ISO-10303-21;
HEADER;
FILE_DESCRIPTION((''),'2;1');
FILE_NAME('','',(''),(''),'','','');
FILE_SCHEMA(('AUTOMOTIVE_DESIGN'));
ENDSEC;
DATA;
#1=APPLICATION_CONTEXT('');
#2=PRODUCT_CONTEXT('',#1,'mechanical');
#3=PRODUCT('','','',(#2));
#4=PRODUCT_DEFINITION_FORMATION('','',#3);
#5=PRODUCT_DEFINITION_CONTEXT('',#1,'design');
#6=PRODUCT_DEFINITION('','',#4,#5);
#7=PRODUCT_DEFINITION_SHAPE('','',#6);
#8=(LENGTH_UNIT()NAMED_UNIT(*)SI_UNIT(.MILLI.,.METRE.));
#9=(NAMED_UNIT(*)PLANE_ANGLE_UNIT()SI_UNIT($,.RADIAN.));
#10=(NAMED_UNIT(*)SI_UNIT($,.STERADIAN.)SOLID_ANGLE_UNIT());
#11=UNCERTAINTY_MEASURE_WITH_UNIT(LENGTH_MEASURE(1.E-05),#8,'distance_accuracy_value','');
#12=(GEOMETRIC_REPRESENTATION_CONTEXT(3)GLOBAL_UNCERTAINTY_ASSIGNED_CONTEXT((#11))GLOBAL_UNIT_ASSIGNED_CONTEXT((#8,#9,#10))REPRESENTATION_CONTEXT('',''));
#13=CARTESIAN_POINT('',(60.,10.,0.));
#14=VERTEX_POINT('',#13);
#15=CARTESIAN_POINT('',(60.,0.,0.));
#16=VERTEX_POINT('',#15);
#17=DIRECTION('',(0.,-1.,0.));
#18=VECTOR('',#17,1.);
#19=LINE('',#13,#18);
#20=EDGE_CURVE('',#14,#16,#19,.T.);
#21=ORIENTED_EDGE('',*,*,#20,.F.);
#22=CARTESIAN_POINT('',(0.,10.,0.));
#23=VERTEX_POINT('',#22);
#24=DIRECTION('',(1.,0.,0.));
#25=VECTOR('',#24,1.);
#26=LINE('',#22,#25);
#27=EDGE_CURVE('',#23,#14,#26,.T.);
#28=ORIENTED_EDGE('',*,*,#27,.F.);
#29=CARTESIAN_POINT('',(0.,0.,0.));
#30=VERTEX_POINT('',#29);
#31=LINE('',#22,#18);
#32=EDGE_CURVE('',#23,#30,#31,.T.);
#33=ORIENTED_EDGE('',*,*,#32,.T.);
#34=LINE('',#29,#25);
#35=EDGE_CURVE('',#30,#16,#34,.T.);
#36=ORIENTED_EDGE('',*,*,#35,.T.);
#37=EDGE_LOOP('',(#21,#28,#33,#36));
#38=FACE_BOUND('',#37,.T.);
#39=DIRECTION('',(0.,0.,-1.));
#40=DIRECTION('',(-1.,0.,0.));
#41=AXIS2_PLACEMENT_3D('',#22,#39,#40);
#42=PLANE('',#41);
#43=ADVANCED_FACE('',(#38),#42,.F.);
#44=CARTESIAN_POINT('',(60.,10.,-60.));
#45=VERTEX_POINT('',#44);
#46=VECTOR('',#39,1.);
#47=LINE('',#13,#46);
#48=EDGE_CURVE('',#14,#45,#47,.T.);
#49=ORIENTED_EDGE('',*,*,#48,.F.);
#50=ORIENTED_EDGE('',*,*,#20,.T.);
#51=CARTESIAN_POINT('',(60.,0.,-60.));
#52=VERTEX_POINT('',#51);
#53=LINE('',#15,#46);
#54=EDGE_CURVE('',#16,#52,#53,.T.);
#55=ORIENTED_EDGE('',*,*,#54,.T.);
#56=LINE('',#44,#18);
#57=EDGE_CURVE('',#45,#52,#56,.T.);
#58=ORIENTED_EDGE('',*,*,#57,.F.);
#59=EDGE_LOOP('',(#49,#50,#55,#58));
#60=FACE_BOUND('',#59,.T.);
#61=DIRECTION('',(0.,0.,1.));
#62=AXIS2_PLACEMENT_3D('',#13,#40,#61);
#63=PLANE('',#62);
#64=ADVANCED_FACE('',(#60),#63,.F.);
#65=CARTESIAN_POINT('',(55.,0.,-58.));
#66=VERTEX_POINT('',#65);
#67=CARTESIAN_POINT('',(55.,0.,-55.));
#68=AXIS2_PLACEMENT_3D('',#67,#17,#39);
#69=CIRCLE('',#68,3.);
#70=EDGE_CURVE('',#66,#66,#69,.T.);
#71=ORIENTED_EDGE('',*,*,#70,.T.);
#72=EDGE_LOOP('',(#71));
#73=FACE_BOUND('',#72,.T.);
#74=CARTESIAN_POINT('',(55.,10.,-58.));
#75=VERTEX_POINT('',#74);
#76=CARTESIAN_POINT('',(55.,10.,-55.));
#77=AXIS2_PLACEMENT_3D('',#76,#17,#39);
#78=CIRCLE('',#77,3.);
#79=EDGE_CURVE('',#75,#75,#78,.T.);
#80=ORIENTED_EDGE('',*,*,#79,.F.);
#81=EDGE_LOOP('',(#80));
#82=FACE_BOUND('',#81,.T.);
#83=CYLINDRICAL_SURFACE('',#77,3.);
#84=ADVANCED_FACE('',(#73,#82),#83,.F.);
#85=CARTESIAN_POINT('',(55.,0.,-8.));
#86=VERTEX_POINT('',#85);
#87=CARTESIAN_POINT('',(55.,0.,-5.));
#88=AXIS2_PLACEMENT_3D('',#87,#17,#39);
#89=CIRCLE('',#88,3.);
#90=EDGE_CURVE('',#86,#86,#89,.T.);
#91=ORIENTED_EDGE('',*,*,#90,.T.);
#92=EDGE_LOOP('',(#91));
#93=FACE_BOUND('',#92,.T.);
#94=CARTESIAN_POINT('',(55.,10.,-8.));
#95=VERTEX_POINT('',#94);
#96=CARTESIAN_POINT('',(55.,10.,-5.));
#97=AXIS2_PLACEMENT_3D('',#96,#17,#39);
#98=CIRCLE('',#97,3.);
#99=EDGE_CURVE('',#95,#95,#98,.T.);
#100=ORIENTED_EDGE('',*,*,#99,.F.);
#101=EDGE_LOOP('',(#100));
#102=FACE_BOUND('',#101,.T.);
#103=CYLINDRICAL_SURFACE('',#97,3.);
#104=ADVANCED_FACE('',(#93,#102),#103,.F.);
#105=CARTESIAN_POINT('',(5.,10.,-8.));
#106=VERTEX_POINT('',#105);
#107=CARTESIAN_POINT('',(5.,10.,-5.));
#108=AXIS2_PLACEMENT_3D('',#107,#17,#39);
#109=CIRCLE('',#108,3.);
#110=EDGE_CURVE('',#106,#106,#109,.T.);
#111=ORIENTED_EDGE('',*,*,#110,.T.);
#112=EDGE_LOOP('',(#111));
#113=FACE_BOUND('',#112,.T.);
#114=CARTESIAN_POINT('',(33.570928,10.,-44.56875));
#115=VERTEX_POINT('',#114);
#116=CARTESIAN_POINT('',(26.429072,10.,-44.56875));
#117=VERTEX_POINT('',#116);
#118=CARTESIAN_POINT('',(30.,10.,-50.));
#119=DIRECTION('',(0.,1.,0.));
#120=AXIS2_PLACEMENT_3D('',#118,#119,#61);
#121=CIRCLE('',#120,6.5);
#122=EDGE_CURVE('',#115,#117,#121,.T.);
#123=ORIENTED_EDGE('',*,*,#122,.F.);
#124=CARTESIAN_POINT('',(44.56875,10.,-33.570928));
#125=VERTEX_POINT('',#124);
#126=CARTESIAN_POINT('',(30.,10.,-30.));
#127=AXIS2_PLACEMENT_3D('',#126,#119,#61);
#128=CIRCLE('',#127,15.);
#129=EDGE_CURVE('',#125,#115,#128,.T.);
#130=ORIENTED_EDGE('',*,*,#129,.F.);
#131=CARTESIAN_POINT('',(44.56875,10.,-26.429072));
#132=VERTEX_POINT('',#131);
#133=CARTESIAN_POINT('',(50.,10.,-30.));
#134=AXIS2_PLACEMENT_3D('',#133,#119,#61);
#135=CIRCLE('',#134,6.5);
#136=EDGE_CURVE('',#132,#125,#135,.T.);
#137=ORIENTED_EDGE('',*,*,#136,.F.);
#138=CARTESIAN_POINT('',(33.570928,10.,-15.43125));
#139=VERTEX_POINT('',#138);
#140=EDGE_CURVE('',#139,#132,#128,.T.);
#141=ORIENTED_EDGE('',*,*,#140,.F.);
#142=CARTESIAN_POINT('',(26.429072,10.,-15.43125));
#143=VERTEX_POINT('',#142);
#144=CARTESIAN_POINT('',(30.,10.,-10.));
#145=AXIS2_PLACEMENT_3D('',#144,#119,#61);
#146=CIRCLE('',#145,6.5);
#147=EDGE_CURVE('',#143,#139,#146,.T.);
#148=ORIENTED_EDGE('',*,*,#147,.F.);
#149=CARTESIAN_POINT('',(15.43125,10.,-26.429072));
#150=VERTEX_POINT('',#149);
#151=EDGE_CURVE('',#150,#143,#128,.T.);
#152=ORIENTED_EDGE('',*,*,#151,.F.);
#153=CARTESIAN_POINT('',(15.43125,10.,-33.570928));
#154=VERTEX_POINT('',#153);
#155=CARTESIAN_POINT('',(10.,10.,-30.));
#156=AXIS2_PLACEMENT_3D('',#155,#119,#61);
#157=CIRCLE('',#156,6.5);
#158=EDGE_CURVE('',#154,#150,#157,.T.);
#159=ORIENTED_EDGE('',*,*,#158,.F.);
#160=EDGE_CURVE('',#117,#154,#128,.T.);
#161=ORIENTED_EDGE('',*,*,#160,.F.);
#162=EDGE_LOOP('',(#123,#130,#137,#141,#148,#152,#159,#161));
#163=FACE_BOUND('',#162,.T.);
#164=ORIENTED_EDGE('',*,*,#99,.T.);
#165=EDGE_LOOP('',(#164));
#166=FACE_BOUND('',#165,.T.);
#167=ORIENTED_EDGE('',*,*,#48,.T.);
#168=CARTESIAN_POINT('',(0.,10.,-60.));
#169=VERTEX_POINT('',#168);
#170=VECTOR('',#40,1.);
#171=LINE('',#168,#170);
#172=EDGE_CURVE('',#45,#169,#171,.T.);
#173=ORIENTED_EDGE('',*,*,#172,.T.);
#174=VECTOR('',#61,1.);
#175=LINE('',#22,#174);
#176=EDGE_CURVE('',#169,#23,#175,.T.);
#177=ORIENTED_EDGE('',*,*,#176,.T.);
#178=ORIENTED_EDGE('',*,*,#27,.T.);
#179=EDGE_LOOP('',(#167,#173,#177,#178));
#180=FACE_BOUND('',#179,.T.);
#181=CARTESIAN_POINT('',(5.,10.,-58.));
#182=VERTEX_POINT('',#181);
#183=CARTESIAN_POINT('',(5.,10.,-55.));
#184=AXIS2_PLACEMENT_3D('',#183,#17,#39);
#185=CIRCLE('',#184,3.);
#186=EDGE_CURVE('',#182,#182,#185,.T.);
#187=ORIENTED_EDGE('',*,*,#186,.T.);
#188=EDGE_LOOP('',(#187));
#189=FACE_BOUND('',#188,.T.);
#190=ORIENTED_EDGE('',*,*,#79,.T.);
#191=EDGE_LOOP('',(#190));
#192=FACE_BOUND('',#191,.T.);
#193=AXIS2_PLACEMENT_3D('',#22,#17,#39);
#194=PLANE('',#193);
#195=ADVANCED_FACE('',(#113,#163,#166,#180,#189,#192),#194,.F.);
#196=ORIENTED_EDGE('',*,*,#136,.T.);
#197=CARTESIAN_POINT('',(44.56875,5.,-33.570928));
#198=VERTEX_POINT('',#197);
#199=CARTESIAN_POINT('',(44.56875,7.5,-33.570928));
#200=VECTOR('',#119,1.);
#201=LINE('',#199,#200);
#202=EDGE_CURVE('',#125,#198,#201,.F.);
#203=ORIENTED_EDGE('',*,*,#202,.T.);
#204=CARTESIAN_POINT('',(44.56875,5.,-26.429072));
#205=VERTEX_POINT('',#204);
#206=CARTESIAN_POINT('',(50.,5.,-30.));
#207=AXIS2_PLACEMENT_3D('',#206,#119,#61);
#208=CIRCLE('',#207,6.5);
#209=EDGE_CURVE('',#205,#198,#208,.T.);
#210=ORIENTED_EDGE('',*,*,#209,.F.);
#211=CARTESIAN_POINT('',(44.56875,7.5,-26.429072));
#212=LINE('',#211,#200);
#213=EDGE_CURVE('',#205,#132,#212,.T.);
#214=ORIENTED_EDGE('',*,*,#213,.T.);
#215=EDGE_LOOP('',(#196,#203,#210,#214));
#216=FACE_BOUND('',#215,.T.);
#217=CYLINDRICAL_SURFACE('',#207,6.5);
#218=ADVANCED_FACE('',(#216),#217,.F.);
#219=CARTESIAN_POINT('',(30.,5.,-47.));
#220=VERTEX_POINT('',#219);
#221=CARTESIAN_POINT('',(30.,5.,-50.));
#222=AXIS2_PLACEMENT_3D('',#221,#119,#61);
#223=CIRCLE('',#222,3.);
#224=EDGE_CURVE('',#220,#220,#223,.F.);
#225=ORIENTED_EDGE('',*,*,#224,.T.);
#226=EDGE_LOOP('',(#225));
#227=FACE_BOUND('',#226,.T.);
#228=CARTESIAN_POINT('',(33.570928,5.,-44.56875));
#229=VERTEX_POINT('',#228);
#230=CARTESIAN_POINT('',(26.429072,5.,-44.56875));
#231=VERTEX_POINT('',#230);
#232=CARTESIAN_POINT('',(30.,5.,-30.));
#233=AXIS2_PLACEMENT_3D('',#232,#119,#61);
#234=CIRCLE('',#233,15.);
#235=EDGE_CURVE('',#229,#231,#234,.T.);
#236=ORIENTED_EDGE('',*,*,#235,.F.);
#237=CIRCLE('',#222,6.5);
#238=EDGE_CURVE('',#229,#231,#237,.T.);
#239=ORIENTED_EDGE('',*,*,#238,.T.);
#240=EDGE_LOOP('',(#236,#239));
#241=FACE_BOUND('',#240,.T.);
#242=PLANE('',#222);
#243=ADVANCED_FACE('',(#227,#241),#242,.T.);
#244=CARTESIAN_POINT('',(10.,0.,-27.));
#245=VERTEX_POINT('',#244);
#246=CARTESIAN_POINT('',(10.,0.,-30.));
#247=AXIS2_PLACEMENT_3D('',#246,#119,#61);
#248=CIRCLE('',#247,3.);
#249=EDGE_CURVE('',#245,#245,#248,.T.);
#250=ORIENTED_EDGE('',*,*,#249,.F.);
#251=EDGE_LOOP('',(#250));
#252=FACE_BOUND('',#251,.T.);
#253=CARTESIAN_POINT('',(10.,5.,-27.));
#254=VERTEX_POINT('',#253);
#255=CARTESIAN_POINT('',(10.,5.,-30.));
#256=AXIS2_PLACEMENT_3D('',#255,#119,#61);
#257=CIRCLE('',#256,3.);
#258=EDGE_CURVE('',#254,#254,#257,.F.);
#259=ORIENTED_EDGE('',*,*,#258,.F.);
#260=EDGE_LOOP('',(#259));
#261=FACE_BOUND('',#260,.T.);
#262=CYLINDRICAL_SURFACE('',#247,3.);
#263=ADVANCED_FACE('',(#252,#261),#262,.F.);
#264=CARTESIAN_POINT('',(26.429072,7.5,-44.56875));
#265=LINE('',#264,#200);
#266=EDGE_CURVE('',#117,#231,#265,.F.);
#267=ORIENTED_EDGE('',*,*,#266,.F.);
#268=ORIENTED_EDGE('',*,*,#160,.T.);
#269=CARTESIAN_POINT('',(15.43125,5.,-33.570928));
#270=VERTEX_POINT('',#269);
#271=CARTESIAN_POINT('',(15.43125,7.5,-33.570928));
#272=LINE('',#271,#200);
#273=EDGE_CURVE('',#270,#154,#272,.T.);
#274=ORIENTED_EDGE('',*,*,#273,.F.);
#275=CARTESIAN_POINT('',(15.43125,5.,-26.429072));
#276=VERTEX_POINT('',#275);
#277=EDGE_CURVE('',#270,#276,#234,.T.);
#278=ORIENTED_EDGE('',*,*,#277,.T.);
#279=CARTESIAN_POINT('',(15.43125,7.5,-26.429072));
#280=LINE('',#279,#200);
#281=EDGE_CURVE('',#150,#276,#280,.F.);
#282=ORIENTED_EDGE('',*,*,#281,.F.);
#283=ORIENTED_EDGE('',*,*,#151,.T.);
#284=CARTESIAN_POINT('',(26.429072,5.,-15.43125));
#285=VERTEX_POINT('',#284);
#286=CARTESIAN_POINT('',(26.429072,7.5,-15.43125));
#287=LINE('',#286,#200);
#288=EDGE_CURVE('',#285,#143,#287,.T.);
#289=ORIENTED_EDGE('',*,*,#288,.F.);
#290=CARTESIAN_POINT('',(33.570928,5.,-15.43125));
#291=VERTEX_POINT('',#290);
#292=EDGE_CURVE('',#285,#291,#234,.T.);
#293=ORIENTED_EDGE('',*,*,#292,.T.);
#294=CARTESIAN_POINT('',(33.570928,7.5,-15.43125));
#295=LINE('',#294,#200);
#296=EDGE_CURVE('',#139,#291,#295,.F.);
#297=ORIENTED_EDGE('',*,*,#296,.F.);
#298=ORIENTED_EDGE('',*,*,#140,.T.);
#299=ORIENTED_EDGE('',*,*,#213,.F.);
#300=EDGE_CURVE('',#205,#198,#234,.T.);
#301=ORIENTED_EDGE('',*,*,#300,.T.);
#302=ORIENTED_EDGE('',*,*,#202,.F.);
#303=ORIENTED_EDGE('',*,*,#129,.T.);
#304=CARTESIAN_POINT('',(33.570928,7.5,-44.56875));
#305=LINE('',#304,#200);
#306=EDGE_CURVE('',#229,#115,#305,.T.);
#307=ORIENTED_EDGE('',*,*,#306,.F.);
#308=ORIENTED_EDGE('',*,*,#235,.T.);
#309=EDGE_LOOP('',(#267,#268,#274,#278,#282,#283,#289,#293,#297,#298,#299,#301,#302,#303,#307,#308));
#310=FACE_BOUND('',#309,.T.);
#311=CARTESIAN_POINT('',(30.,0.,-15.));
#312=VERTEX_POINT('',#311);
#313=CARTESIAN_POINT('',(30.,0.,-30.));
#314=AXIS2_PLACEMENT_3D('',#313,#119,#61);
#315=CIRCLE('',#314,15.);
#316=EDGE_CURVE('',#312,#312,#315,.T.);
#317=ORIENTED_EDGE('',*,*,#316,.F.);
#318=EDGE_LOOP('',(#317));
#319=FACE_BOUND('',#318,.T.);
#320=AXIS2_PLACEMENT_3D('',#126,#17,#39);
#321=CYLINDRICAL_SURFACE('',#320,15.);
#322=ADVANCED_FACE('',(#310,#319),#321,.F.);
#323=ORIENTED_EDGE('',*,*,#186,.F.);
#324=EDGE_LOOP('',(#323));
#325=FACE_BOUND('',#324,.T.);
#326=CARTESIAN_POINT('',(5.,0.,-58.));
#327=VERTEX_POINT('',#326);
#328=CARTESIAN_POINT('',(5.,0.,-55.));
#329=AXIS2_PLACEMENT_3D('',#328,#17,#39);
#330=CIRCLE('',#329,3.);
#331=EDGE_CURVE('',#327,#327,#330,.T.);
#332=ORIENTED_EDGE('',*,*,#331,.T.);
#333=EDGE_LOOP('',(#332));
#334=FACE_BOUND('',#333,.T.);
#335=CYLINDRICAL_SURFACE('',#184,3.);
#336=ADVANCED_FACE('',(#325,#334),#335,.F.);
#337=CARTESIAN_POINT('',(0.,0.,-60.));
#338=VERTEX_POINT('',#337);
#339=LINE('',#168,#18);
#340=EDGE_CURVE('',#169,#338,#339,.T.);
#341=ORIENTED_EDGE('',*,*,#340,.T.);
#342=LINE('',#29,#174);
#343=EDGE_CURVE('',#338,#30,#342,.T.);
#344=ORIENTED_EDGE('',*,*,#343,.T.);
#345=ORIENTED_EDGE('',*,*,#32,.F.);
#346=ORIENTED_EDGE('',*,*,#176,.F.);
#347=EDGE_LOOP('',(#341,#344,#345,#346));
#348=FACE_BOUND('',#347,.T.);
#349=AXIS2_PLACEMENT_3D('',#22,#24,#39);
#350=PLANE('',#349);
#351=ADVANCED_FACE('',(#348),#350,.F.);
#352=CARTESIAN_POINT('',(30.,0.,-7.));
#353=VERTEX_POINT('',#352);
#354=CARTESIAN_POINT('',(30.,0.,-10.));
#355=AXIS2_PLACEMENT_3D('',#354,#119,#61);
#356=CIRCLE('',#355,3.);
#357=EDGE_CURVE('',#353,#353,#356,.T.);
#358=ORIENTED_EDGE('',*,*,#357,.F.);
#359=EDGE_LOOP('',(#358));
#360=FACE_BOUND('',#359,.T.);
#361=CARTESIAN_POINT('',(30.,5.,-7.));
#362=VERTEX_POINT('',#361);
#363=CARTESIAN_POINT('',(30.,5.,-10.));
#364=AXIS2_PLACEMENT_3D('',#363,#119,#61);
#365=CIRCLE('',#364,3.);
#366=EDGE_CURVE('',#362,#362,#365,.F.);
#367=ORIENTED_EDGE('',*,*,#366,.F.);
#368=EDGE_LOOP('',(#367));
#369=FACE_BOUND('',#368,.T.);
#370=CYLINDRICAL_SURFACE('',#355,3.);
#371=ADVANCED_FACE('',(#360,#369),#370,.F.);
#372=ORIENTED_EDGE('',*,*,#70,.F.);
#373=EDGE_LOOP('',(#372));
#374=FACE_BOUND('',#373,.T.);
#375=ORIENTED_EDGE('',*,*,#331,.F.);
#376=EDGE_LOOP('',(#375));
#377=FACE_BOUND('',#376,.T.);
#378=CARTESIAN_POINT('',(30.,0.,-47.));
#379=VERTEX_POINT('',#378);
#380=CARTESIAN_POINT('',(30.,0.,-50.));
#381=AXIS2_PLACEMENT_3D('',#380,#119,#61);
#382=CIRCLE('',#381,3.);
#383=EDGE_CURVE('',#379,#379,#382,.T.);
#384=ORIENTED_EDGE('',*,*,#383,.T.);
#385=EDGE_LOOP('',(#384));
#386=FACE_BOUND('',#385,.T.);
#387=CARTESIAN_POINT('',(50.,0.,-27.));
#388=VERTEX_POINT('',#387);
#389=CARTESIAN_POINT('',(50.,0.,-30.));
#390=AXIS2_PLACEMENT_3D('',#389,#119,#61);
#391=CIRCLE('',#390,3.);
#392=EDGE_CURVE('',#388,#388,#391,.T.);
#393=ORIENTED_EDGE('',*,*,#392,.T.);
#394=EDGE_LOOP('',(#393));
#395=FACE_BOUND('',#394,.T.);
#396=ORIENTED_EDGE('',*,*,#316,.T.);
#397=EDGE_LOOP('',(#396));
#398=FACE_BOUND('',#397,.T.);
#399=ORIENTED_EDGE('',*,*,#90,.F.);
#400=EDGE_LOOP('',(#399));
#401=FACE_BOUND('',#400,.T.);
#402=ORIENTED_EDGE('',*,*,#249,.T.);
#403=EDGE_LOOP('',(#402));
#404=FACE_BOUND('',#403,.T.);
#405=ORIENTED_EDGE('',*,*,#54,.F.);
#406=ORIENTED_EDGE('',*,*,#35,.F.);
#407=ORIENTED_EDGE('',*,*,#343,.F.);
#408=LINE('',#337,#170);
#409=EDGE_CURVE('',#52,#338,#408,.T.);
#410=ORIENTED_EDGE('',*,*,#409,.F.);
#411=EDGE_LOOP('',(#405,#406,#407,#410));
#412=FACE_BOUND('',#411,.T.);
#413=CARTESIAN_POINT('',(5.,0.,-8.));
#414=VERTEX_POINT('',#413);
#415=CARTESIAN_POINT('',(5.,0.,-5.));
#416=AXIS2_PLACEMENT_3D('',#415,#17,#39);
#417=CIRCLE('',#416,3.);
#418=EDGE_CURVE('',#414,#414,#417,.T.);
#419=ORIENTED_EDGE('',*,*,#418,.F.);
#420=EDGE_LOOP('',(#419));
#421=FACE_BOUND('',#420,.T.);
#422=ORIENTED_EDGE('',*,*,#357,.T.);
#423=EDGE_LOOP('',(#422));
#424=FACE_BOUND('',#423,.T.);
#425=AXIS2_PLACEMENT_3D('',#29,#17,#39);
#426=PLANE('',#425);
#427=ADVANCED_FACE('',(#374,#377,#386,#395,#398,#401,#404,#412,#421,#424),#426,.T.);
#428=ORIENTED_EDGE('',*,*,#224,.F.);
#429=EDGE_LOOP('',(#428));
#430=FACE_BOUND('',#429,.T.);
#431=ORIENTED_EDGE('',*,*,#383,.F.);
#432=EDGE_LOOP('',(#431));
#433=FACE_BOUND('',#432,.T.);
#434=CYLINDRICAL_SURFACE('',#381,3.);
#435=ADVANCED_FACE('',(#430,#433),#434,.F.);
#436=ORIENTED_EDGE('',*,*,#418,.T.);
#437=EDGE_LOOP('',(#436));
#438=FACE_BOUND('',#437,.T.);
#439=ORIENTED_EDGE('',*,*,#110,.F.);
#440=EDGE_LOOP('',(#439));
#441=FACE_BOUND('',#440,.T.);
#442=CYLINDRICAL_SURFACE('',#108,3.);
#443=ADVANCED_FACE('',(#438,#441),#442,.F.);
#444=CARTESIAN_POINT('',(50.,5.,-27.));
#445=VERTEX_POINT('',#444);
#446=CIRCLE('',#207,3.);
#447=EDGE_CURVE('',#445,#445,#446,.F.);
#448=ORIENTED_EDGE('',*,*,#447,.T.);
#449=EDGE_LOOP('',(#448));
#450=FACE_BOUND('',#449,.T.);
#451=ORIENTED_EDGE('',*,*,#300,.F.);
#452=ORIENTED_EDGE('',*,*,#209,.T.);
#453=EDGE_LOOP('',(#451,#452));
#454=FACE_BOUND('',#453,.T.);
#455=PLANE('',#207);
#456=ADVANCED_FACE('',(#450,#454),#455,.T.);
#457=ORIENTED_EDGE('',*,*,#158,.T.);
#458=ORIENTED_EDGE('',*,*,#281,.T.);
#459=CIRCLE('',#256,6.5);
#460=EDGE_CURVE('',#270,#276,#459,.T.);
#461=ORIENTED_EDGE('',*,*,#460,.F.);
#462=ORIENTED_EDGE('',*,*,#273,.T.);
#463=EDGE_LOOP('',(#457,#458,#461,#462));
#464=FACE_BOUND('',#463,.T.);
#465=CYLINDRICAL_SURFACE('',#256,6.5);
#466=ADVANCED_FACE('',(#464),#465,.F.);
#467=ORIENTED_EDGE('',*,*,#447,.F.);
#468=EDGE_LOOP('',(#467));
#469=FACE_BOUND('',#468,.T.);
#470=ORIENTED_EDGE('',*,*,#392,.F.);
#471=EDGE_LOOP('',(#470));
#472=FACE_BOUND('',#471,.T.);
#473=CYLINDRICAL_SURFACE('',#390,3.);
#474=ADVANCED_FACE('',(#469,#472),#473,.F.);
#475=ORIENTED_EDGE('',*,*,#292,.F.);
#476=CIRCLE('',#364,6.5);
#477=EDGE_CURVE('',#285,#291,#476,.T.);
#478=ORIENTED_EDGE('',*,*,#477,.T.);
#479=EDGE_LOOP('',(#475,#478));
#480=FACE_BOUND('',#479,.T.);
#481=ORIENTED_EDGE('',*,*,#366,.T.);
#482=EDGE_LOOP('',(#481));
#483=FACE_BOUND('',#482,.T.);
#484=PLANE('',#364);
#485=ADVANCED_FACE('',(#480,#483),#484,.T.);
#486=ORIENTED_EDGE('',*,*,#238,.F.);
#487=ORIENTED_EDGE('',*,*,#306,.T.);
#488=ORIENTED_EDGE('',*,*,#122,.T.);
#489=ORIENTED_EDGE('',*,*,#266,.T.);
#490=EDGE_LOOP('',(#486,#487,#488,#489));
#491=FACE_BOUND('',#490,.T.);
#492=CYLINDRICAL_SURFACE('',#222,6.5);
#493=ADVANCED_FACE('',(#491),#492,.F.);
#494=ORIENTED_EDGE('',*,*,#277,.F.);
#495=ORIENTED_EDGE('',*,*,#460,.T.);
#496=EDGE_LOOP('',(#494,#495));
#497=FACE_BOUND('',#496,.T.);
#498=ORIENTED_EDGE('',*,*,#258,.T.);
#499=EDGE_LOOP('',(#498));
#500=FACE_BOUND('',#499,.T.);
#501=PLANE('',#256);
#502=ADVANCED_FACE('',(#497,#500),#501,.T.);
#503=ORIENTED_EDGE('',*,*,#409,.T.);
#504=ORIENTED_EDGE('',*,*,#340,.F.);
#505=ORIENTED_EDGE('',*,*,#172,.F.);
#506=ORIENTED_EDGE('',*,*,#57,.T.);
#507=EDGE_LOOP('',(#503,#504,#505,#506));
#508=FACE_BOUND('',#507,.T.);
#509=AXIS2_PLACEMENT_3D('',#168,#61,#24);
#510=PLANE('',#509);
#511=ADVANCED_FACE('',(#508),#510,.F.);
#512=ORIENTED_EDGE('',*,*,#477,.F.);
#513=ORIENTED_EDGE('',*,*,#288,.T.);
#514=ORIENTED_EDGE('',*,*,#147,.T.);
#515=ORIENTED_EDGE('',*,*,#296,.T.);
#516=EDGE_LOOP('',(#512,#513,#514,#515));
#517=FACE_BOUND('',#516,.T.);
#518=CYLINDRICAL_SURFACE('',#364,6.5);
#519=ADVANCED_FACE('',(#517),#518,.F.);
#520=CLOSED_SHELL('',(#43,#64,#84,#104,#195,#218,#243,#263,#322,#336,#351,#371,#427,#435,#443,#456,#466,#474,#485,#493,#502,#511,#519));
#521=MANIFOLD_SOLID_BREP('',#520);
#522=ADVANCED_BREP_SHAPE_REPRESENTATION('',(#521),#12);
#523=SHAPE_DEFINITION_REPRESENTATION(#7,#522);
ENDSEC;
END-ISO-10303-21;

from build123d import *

# Parameters (mm, degrees)
SKETCH1_W           = 60
SKETCH1_H           = 60
SKETCH1_R           = 15
BOSS_EXTRUDE1_DEPTH = 10
SKETCH2_R           = 3
CUT_EXTRUDE1_DEPTH  = 10
SKETCH3_R           = 6.5
CUT_EXTRUDE2_DEPTH  = 5
SKETCH4_R           = 3
CUT_EXTRUDE3_DEPTH  = 10


with BuildPart() as part:
    # Sketch1 → Boss-Extrude1 (new body)
    with BuildSketch(Plane(origin=(0, 0, 0), x_dir=(1, 0, 0), z_dir=(0, 1, 0))):
        with Locations((30, 30)):
            Rectangle(SKETCH1_W, SKETCH1_H)
        with Locations(Location((30, 30, 0), (0, 0, 270))):
            Circle(SKETCH1_R, mode=Mode.SUBTRACT)
    extrude(amount=BOSS_EXTRUDE1_DEPTH)

    # Sketch2 → Cut-Extrude1 (cut)
    with BuildSketch(Plane(origin=(0, 10, 0), x_dir=(1, 0, 0), z_dir=(0, 1, 0))):
        with Locations(Location((30, 50, 0), (0, 0, 270))):
            Circle(SKETCH2_R)
        with Locations(Location((50, 30, 0), (0, 0, 270))):
            Circle(SKETCH2_R)
        with Locations(Location((30, 10, 0), (0, 0, 270))):
            Circle(SKETCH2_R)
        with Locations(Location((10, 30, 0), (0, 0, 270))):
            Circle(SKETCH2_R)
    extrude(amount=-CUT_EXTRUDE1_DEPTH, mode=Mode.SUBTRACT)

    # Sketch3 → Cut-Extrude2 (cut)
    with BuildSketch(Plane(origin=(0, 10, 0), x_dir=(1, 0, 0), z_dir=(0, 1, 0))):
        with Locations((30, 50)):
            Circle(SKETCH3_R)
        with Locations((50, 30)):
            Circle(SKETCH3_R)
        with Locations((30, 10)):
            Circle(SKETCH3_R)
        with Locations((10, 30)):
            Circle(SKETCH3_R)
    extrude(amount=-CUT_EXTRUDE2_DEPTH, mode=Mode.SUBTRACT)

    # Sketch4 → Cut-Extrude3 (cut)
    with BuildSketch(Plane.XZ):
        with Locations(Location((5, -5, 0), (0, 0, 270))):
            Circle(SKETCH4_R)
        with Locations(Location((55, -5, 0), (0, 0, 270))):
            Circle(SKETCH4_R)
        with Locations(Location((55, -55, 0), (0, 0, 270))):
            Circle(SKETCH4_R)
        with Locations(Location((5, -55, 0), (0, 0, 270))):
            Circle(SKETCH4_R)
    extrude(amount=-CUT_EXTRUDE3_DEPTH, mode=Mode.SUBTRACT)


solid = part.part
